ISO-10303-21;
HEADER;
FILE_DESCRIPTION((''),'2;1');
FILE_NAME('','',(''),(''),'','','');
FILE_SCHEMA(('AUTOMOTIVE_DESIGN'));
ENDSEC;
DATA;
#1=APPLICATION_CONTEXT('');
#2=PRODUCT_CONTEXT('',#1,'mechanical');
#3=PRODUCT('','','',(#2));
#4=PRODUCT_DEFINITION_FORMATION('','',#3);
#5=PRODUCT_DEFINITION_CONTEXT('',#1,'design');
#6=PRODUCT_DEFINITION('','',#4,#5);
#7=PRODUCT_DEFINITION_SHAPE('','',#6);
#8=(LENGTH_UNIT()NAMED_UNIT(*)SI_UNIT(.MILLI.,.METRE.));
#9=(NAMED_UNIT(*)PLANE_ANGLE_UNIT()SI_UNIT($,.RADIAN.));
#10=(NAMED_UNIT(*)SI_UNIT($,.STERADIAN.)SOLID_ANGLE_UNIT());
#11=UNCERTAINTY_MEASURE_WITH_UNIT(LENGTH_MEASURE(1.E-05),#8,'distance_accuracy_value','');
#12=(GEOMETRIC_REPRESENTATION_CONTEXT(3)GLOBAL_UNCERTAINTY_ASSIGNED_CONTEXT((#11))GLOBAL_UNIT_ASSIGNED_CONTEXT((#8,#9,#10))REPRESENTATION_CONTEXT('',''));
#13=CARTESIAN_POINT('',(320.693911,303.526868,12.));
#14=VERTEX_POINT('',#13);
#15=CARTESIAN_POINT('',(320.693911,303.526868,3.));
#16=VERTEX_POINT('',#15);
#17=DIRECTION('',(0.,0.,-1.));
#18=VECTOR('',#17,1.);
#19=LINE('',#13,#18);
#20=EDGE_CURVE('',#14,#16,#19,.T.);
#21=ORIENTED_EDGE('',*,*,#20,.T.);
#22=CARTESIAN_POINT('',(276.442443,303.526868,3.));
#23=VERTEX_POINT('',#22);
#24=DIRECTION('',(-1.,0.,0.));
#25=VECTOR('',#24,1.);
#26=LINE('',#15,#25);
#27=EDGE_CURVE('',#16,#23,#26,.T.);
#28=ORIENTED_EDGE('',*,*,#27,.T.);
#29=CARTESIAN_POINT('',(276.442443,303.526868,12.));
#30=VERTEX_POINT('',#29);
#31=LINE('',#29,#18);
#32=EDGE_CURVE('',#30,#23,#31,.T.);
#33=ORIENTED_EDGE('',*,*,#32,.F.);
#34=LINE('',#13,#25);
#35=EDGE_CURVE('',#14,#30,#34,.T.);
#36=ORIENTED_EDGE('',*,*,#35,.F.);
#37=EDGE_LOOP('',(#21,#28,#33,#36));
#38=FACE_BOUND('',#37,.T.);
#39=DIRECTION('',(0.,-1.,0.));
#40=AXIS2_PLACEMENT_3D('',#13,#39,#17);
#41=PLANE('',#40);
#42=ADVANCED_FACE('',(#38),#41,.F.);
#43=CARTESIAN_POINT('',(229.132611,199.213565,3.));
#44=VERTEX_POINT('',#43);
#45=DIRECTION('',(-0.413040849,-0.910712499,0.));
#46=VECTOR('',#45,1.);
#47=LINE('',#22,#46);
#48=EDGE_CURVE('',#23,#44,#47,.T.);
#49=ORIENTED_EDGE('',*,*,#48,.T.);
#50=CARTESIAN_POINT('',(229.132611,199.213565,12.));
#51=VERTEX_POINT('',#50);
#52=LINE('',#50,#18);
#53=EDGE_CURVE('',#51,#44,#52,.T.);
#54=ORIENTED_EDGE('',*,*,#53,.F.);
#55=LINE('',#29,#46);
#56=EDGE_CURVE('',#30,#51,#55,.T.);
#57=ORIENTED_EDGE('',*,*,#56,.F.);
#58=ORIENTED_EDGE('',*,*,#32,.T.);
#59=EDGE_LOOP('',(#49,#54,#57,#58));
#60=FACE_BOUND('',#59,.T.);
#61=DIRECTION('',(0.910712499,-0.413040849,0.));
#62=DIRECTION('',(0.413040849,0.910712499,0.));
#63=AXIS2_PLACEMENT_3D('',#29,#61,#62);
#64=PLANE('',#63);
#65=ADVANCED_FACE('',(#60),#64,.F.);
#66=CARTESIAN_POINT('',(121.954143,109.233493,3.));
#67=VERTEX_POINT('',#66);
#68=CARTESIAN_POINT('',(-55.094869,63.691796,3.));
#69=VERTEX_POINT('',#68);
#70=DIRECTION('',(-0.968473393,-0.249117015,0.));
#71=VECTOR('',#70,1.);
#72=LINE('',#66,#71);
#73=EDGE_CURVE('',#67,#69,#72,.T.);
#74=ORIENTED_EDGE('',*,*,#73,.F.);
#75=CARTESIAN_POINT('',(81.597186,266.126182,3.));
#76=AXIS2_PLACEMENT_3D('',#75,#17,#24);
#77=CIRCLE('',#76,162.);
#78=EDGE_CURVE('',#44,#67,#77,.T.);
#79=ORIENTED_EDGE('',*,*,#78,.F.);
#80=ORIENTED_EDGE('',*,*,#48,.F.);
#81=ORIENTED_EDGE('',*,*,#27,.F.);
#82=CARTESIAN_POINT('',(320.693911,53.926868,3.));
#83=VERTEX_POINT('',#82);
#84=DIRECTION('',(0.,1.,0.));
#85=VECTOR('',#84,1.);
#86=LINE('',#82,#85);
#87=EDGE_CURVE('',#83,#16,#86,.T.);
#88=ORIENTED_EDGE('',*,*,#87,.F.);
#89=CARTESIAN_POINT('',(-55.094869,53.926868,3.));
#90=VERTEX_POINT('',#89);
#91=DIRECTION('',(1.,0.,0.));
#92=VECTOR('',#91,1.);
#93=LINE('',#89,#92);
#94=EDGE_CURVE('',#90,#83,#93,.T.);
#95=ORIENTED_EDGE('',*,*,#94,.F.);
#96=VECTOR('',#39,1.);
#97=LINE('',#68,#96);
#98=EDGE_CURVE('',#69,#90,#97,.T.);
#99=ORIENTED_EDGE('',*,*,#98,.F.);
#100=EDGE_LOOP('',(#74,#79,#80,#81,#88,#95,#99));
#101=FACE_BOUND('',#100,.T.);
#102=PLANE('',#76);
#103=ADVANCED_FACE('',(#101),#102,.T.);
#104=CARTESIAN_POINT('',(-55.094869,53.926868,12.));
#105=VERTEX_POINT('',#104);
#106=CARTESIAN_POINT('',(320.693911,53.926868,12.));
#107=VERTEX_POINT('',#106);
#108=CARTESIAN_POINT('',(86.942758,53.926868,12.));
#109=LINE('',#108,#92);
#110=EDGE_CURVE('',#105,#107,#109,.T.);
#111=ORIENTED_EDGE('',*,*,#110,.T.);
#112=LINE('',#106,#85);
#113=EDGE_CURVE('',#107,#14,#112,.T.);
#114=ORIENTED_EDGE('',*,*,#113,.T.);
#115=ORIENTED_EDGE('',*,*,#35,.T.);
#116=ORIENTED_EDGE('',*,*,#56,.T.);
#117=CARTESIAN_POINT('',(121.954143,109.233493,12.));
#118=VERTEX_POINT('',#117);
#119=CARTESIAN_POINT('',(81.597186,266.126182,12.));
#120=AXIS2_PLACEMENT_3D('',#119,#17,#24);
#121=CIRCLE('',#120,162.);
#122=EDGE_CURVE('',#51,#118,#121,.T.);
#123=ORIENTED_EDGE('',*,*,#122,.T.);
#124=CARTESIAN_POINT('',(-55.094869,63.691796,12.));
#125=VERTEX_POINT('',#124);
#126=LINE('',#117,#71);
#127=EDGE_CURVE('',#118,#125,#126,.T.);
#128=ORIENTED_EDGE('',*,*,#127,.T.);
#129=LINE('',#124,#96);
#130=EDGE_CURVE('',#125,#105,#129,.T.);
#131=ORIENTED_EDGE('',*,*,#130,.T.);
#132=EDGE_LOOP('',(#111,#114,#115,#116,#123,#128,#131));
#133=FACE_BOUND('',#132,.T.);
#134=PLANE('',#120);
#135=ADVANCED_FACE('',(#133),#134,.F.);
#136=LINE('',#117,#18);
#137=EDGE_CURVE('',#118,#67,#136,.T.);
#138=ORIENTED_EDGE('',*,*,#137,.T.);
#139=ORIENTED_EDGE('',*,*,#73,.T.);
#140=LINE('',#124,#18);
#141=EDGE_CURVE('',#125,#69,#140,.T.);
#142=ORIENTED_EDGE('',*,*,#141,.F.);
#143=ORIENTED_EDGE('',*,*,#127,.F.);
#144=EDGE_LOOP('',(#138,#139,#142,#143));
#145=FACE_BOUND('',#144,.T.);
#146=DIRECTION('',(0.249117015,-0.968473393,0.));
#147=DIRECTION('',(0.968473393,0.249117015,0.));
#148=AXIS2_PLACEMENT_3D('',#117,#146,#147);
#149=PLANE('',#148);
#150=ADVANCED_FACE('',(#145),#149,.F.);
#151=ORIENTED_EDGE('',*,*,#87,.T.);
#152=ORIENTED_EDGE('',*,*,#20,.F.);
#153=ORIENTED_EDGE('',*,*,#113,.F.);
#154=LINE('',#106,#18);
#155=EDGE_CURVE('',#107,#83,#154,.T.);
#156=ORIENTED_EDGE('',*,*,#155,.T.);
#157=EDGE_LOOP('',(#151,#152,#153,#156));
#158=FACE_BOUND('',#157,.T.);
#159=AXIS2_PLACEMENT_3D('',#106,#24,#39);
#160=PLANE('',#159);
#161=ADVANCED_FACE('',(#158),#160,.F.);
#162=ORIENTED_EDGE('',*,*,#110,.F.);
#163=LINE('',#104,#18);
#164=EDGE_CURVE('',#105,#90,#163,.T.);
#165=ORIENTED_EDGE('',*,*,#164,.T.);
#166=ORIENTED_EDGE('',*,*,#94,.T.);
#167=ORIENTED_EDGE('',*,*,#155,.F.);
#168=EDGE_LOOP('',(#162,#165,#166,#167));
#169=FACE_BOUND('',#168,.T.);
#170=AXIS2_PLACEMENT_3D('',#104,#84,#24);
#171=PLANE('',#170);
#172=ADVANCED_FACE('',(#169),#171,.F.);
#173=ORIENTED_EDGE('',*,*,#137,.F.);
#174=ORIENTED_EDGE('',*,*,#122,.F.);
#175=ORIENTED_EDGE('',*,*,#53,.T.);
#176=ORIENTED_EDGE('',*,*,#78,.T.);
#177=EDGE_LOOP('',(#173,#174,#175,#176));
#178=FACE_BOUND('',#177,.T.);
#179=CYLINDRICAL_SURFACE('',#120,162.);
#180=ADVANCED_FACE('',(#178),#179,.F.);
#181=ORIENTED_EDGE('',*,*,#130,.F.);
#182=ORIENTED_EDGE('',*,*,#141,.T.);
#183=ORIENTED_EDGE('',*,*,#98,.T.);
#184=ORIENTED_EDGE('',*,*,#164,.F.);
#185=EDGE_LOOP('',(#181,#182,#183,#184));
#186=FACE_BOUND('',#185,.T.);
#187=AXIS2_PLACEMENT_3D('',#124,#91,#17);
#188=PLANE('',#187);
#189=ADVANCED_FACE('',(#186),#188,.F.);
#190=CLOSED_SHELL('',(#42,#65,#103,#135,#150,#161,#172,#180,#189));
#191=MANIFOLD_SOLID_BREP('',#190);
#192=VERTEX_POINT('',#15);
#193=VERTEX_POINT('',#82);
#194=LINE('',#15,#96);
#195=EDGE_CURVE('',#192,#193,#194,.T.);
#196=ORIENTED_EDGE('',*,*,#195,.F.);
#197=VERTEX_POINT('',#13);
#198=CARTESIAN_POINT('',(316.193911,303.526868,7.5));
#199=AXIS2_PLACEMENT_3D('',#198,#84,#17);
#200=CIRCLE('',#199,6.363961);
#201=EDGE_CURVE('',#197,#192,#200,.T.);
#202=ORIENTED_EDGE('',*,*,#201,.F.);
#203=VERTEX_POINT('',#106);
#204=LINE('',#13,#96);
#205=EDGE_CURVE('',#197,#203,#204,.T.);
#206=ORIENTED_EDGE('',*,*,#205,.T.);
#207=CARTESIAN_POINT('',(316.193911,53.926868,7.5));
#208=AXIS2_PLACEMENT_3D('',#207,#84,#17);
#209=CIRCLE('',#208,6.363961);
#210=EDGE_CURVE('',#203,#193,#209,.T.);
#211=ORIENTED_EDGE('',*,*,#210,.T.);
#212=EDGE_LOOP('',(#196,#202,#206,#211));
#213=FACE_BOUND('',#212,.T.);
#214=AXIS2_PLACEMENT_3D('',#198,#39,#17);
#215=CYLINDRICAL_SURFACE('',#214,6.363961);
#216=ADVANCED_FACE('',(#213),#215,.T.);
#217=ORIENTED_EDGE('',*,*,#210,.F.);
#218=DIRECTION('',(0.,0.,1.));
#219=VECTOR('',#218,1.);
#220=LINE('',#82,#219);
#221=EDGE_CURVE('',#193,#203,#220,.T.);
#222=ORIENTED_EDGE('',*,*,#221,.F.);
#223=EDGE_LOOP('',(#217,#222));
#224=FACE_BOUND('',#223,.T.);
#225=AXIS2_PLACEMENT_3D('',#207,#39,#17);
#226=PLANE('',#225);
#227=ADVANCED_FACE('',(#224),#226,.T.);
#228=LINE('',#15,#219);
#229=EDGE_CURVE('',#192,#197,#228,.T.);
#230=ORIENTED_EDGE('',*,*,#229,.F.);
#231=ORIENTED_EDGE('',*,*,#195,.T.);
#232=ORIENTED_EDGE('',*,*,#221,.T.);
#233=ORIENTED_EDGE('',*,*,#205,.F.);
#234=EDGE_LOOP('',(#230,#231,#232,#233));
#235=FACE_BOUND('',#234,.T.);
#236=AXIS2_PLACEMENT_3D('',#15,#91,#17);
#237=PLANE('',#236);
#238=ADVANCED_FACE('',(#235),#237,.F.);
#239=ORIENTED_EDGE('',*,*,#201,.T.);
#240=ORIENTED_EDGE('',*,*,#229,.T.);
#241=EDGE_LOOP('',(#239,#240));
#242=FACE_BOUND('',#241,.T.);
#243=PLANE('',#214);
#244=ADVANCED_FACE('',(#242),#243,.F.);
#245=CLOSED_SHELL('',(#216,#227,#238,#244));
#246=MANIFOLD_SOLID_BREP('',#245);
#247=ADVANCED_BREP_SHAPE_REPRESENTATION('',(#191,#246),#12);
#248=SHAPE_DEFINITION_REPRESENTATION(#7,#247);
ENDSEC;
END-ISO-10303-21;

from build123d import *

# Parameters (mm, degrees)
BOSS_EXTRUDE1_DEPTH      = 15
SCALE1_SCALE             = 0.6
BOSS_EXTRUDE3_DEPTH      = 119.026868
BOSS_EXTRUDE3_DEPTH_BACK = 130.573132


with BuildPart() as part:
    # Sketch1 → Boss-Extrude1 (new body)
    with BuildSketch(Plane.XY):
        with BuildLine():
            Line((-236.729376996, 0), (0, 0))
            Line((0, 0), (389.585255443, 0))
            Line((389.585255443, 0), (389.585255443, 416))
            Line((389.585255443, 416), (315.832809595, 416))
            Line((315.832809595, 416), (236.983089551, 242.144494596))
            ThreePointArc((236.983089551, 242.144494596), (164.696190822, 146.877858304), (58.352308735, 92.177707838))
            Line((58.352308735, 92.177707838), (-236.729376996, 16.274880501))
            Line((-236.729376996, 16.274880501), (-236.729376996, 0))
        make_face()
    extrude(amount=BOSS_EXTRUDE1_DEPTH)


with BuildPart() as part_1:
    # Scale1: scaled about (217.356894213, 134.817169742, 7.5)
    add(part.part.scale(SCALE1_SCALE).moved(Location((86.942757685, 53.926867897, 3))))


with BuildPart() as body_2:
    # Sketch3 → Boss-Extrude3 (new, two sides: drawn at the far end of the back side and taken through both)
    with BuildSketch(Plane(origin=(0, 184.5, 0), x_dir=(1, 0, 0), z_dir=(0, 1, 0)).offset(-BOSS_EXTRUDE3_DEPTH_BACK)):
        with BuildLine():
            Line((320.693910951, -3), (320.693910951, -12))
            ThreePointArc((320.693910951, -12), (322.557871982, -7.5), (320.693910951, -3))
        make_face()
    extrude(amount=BOSS_EXTRUDE3_DEPTH + BOSS_EXTRUDE3_DEPTH_BACK)


solid = Compound([part_1.part, body_2.part])
